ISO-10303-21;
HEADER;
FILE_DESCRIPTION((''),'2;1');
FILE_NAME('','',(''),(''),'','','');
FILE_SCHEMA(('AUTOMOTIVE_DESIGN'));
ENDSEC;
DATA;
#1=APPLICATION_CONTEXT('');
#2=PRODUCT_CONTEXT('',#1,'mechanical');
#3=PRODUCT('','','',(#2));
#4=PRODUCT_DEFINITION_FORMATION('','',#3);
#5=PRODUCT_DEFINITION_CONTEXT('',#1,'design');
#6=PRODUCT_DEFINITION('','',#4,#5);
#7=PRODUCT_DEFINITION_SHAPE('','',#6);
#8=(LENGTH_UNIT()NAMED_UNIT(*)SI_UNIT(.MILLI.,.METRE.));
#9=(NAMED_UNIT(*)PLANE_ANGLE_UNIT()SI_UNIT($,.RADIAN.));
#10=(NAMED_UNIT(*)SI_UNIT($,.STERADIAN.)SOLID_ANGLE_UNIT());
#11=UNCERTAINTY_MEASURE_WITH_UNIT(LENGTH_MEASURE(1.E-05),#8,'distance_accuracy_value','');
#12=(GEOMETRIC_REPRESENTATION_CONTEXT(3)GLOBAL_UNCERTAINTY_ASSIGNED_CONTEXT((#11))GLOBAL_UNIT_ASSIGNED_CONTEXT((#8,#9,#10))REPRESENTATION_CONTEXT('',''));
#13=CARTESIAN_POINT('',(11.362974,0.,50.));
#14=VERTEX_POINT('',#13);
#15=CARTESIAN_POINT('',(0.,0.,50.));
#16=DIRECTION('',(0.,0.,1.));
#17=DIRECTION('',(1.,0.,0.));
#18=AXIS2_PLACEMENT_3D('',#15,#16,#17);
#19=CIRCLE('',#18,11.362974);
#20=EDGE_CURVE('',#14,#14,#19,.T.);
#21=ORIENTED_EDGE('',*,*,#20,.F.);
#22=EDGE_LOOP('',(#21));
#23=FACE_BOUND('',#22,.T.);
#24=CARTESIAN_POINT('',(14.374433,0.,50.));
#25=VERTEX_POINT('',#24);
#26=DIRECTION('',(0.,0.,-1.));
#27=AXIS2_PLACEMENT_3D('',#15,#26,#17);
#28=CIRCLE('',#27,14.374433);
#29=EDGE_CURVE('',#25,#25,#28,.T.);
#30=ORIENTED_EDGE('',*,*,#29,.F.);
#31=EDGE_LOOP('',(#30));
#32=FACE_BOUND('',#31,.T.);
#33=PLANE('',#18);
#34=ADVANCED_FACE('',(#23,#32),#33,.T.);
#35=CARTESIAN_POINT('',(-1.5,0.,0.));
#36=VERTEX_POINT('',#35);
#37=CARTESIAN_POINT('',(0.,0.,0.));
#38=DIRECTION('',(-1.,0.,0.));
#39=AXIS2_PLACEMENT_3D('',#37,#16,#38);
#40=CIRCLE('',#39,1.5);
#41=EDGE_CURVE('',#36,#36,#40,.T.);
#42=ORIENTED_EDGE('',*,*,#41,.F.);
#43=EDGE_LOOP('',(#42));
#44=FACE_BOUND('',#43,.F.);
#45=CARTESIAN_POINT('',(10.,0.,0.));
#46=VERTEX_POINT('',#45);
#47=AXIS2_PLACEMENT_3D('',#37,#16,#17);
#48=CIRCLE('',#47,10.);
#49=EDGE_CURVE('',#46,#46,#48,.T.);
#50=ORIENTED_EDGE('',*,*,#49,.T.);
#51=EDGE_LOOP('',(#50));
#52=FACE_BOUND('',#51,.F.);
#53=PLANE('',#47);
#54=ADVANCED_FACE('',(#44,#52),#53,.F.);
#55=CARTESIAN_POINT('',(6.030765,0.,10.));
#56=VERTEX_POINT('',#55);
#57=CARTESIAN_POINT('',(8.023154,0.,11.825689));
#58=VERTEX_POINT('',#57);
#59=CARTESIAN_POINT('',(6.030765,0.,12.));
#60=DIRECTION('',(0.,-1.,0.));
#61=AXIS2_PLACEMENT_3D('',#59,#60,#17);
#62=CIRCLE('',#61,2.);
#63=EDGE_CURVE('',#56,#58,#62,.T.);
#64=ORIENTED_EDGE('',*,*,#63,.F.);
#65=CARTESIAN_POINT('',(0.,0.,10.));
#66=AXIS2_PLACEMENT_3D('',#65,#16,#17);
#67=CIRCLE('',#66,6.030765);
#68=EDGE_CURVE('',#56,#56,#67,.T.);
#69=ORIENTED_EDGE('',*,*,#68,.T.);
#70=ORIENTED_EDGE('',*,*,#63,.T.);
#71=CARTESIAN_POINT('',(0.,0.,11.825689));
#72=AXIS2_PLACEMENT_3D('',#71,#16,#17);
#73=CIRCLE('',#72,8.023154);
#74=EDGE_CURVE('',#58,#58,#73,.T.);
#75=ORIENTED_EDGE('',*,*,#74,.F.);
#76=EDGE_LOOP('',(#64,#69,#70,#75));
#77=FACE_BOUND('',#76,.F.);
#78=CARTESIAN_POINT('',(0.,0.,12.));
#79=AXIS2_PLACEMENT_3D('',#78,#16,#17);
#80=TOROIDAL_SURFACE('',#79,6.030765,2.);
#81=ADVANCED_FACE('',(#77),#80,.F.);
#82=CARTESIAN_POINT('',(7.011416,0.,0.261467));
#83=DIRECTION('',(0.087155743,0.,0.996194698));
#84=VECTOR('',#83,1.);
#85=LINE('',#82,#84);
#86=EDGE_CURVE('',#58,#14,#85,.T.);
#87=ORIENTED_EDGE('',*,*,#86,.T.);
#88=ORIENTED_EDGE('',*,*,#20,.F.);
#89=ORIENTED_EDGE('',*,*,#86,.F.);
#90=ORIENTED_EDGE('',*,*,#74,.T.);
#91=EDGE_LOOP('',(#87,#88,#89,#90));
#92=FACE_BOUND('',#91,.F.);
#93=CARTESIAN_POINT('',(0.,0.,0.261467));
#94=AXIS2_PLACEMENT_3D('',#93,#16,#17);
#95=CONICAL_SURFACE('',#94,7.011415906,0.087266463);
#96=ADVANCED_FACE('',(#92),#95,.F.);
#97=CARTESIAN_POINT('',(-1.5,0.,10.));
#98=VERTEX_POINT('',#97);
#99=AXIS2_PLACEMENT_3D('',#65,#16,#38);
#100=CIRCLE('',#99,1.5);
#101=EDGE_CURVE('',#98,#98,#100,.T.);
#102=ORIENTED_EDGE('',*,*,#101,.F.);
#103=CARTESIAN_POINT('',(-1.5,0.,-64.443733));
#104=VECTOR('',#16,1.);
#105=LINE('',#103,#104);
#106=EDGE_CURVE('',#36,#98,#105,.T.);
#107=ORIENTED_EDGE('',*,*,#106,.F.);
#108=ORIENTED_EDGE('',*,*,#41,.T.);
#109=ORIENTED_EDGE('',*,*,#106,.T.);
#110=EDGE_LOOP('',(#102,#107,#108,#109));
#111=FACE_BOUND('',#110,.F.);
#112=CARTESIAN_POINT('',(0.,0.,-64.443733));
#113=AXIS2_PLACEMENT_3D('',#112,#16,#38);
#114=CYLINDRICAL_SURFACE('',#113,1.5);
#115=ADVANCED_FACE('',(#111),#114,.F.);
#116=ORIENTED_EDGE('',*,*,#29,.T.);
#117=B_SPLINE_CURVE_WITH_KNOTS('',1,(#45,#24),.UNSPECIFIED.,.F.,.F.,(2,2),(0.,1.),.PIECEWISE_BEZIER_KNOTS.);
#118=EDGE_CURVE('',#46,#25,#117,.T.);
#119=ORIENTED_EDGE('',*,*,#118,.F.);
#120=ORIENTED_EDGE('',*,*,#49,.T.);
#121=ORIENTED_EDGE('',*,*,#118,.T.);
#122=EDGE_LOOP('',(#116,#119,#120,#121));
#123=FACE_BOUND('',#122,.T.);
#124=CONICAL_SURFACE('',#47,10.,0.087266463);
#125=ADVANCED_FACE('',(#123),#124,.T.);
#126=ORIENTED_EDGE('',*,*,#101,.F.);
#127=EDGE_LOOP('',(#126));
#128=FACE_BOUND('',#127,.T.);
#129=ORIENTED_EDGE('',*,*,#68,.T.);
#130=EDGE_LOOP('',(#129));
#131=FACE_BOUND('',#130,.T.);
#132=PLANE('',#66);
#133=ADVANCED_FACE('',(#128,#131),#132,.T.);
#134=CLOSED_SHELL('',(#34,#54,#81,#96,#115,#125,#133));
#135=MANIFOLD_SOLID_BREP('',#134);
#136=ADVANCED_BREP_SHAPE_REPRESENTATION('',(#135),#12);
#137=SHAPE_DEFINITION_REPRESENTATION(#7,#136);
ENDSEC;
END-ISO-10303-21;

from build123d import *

# Parameters (mm, degrees)
F0_R     = 10
F1_DEPTH = 50
F1_TAPER = -5
F2_T     = -3
F3_DEPTH = 10
F4_D     = 3
F5_R     = 2


with BuildPart() as f1:
    # F0 (on Top) → F1 (new body)
    with BuildSketch(Plane.XY):
        Circle(F0_R)
    extrude(amount=F1_DEPTH, taper=F1_TAPER)

    # F2
    f2_openings = [f1.faces().sort_by_distance(p)[0] for p in [
        (0, 0, 50),
    ]]
    offset(amount=F2_T, openings=f2_openings, kind=Kind.INTERSECTION)

    # F0 (on Top) → F3 (join)
    with BuildSketch(Plane.XY):
        Circle(F0_R)
    extrude(amount=F3_DEPTH)

    # F4 (through all)
    with Locations(Plane(origin=(0, 0, 0), x_dir=(1, 0, 0), z_dir=(0, 0, -1))):
        with Locations((0, 0)):
            Hole(F4_D / 2)

    # F5
    f5_edges = [f1.edges().sort_by_distance(p)[0] for p in [
        (-7.863427, 0, 10),
    ]]
    fillet(f5_edges, radius=F5_R)


solid = f1.part
